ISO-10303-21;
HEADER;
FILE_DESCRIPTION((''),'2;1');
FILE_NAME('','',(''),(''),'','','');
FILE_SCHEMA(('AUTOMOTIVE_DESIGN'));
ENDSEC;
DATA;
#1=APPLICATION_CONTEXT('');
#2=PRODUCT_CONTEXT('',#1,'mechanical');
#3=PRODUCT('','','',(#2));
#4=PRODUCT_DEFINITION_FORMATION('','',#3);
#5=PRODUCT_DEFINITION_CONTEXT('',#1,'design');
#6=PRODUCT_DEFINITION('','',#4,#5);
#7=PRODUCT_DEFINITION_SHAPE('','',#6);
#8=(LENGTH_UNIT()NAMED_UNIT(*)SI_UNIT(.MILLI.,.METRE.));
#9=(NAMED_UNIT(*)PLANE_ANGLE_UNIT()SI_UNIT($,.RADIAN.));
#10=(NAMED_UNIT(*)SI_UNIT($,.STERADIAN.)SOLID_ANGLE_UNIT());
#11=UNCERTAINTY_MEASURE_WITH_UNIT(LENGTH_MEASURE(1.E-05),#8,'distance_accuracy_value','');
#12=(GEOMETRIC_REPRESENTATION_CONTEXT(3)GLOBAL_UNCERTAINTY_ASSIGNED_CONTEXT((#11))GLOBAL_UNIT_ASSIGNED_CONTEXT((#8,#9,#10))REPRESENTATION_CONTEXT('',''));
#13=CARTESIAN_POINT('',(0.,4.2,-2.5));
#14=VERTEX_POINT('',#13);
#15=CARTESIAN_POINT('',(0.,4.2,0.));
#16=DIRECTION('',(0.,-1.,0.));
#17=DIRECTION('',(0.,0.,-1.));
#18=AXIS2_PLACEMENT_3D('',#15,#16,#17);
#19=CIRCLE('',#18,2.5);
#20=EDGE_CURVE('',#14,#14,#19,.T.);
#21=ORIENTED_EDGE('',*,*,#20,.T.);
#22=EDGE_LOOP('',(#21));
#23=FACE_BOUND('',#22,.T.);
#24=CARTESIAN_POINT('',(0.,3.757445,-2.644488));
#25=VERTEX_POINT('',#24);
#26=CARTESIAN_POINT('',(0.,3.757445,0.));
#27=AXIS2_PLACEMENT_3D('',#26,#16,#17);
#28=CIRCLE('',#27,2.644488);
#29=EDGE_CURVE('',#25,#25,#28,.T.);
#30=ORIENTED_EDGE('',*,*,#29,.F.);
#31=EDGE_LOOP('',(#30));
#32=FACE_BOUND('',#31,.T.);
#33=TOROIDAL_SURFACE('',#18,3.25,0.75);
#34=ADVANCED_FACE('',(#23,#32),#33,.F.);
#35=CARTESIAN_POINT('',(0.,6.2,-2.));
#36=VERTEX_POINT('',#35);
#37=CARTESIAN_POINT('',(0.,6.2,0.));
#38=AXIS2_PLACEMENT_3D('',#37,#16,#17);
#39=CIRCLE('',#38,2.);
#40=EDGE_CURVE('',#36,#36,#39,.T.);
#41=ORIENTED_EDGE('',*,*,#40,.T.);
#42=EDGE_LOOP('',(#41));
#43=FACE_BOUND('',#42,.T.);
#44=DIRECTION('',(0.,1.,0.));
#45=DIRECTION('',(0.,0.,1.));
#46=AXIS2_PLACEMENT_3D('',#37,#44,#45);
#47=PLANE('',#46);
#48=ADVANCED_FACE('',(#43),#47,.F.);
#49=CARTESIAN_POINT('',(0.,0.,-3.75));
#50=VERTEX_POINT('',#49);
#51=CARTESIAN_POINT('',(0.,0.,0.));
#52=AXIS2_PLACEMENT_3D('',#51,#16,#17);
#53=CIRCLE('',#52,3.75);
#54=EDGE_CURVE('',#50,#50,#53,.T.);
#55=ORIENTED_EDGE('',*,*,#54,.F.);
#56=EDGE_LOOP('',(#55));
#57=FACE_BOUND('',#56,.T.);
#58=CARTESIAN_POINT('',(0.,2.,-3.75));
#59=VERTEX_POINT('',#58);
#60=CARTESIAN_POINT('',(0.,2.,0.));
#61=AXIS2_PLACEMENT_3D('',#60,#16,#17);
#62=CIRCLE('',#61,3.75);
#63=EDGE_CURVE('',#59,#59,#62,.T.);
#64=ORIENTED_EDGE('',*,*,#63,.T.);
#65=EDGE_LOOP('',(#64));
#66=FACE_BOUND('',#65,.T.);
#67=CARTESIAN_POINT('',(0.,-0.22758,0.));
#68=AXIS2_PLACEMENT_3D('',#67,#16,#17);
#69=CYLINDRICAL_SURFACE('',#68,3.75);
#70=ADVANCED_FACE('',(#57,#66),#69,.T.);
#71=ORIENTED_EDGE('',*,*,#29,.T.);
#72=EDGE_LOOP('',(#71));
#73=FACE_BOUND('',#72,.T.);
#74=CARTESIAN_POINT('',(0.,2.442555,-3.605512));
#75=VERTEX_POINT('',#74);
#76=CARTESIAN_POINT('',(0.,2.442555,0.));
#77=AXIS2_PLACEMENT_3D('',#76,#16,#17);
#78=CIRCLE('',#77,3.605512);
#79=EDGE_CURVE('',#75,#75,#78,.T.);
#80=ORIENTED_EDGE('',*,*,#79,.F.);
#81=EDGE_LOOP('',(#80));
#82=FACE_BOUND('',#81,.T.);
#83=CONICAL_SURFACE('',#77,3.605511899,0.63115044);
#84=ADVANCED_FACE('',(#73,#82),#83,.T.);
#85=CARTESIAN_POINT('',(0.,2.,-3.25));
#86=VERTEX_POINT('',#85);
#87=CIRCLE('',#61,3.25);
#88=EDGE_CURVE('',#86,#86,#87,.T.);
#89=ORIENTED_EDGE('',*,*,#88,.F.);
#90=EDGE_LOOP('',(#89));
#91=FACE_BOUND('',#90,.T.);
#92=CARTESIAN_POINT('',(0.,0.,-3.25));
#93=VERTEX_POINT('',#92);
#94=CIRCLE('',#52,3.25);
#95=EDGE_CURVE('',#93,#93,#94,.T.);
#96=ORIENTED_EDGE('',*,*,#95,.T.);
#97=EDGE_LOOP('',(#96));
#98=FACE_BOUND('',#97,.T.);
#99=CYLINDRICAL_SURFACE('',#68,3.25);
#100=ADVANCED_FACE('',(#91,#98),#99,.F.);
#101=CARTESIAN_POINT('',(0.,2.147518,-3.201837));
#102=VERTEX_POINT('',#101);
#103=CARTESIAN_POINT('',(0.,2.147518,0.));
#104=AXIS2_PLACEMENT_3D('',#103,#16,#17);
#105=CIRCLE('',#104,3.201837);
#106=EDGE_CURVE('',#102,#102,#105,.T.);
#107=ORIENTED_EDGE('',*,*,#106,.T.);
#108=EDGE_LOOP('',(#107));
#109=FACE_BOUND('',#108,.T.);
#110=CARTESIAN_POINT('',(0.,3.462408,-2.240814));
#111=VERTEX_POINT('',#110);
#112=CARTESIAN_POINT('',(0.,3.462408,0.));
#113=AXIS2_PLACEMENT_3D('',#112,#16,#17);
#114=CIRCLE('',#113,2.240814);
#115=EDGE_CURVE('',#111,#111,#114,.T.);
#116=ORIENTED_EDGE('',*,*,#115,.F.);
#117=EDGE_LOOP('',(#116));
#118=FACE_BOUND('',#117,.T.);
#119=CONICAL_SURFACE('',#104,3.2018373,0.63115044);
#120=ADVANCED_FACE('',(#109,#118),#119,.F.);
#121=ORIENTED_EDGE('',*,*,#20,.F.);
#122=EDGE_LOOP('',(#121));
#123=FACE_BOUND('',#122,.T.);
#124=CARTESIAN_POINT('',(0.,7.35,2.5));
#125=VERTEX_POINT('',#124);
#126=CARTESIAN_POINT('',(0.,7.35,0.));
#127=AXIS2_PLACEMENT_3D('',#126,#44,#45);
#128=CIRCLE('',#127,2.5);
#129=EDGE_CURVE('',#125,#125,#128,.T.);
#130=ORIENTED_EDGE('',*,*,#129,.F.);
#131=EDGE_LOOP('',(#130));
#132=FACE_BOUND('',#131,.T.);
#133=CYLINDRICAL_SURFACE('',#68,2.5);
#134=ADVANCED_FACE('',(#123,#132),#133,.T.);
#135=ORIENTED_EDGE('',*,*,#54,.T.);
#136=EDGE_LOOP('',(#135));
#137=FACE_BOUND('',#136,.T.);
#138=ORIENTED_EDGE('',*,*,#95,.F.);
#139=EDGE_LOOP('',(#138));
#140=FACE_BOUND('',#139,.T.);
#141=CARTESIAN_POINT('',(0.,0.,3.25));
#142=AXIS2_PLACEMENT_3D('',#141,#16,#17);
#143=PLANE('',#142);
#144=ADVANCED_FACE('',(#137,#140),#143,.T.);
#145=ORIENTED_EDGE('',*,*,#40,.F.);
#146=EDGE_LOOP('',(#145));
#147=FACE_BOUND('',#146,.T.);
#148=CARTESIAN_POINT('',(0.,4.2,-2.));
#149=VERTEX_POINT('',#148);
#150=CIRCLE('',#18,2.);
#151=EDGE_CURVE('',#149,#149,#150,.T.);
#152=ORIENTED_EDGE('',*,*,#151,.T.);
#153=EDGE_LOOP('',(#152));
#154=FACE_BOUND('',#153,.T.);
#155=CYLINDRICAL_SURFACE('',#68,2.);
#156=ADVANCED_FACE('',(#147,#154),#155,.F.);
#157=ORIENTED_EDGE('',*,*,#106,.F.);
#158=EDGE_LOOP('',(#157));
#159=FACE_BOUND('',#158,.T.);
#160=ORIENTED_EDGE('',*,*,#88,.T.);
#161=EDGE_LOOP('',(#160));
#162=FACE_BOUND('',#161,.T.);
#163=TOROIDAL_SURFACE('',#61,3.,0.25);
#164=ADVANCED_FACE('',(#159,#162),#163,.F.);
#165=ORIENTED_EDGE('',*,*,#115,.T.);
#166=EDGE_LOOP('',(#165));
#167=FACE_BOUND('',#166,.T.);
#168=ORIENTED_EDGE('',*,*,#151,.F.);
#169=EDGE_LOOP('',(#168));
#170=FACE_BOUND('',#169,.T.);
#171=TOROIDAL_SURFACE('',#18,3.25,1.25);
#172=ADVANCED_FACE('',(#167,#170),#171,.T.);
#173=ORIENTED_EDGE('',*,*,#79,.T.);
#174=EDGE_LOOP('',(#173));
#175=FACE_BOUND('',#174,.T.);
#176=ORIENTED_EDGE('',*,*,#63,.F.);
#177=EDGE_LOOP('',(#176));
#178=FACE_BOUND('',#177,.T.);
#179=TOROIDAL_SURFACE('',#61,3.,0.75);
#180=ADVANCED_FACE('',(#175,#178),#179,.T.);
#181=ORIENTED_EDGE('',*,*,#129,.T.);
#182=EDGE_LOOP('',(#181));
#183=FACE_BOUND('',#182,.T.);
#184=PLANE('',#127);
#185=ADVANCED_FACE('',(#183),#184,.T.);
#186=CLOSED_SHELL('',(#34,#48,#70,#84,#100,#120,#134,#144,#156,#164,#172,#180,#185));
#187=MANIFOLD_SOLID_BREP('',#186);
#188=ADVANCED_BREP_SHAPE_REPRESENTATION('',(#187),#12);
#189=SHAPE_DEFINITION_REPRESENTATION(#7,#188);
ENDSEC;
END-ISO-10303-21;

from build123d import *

# Parameters (mm, degrees)
SKETCH8_R           = 2.5
BOSS_EXTRUDE1_DEPTH = 1.15


with BuildPart() as part:
    # Sketch6 → Revolve-Thin2 (revolve)
    with BuildSketch(Plane(origin=(0, 0, 0), x_dir=(0, 0, -1), z_dir=(1, 0, 0))):
        with BuildLine():
            Line((-3.75, 0), (-3.75, 2))
            ThreePointArc((-3.75, 2), (-3.712963507, 2.232772503), (-3.605511899, 2.442555466))
            Line((-3.605511899, 2.442555466), (-2.644488101, 3.757444534))
            ThreePointArc((-2.644488101, 3.757444534), (-2.537036493, 3.967227497), (-2.5, 4.2))
            Line((-2.5, 4.2), (-2.5, 6.2))
            Line((-2.5, 6.2), (-2, 6.2))
            Line((-2, 6.2), (-2, 4.2))
            ThreePointArc((-2, 4.2), (-2.061727489, 3.812045829), (-2.240813502, 3.462407557))
            Line((-2.240813502, 3.462407557), (-3.2018373, 2.147518489))
            ThreePointArc((-3.2018373, 2.147518489), (-3.237654502, 2.077590834), (-3.25, 2))
            Line((-3.25, 2), (-3.25, 0))
            Line((-3.25, 0), (-3.75, 0))
        make_face()
    revolve(axis=Axis((0, -0.227579974, 0), (0, 1, 0)))

    # Sketch8 → Boss-Extrude1 (add)
    with BuildSketch(Plane(origin=(0, 6.2, 0), x_dir=(1, 0, 0), z_dir=(0, 1, 0))):
        Circle(SKETCH8_R)
    extrude(amount=BOSS_EXTRUDE1_DEPTH)


solid = part.part
